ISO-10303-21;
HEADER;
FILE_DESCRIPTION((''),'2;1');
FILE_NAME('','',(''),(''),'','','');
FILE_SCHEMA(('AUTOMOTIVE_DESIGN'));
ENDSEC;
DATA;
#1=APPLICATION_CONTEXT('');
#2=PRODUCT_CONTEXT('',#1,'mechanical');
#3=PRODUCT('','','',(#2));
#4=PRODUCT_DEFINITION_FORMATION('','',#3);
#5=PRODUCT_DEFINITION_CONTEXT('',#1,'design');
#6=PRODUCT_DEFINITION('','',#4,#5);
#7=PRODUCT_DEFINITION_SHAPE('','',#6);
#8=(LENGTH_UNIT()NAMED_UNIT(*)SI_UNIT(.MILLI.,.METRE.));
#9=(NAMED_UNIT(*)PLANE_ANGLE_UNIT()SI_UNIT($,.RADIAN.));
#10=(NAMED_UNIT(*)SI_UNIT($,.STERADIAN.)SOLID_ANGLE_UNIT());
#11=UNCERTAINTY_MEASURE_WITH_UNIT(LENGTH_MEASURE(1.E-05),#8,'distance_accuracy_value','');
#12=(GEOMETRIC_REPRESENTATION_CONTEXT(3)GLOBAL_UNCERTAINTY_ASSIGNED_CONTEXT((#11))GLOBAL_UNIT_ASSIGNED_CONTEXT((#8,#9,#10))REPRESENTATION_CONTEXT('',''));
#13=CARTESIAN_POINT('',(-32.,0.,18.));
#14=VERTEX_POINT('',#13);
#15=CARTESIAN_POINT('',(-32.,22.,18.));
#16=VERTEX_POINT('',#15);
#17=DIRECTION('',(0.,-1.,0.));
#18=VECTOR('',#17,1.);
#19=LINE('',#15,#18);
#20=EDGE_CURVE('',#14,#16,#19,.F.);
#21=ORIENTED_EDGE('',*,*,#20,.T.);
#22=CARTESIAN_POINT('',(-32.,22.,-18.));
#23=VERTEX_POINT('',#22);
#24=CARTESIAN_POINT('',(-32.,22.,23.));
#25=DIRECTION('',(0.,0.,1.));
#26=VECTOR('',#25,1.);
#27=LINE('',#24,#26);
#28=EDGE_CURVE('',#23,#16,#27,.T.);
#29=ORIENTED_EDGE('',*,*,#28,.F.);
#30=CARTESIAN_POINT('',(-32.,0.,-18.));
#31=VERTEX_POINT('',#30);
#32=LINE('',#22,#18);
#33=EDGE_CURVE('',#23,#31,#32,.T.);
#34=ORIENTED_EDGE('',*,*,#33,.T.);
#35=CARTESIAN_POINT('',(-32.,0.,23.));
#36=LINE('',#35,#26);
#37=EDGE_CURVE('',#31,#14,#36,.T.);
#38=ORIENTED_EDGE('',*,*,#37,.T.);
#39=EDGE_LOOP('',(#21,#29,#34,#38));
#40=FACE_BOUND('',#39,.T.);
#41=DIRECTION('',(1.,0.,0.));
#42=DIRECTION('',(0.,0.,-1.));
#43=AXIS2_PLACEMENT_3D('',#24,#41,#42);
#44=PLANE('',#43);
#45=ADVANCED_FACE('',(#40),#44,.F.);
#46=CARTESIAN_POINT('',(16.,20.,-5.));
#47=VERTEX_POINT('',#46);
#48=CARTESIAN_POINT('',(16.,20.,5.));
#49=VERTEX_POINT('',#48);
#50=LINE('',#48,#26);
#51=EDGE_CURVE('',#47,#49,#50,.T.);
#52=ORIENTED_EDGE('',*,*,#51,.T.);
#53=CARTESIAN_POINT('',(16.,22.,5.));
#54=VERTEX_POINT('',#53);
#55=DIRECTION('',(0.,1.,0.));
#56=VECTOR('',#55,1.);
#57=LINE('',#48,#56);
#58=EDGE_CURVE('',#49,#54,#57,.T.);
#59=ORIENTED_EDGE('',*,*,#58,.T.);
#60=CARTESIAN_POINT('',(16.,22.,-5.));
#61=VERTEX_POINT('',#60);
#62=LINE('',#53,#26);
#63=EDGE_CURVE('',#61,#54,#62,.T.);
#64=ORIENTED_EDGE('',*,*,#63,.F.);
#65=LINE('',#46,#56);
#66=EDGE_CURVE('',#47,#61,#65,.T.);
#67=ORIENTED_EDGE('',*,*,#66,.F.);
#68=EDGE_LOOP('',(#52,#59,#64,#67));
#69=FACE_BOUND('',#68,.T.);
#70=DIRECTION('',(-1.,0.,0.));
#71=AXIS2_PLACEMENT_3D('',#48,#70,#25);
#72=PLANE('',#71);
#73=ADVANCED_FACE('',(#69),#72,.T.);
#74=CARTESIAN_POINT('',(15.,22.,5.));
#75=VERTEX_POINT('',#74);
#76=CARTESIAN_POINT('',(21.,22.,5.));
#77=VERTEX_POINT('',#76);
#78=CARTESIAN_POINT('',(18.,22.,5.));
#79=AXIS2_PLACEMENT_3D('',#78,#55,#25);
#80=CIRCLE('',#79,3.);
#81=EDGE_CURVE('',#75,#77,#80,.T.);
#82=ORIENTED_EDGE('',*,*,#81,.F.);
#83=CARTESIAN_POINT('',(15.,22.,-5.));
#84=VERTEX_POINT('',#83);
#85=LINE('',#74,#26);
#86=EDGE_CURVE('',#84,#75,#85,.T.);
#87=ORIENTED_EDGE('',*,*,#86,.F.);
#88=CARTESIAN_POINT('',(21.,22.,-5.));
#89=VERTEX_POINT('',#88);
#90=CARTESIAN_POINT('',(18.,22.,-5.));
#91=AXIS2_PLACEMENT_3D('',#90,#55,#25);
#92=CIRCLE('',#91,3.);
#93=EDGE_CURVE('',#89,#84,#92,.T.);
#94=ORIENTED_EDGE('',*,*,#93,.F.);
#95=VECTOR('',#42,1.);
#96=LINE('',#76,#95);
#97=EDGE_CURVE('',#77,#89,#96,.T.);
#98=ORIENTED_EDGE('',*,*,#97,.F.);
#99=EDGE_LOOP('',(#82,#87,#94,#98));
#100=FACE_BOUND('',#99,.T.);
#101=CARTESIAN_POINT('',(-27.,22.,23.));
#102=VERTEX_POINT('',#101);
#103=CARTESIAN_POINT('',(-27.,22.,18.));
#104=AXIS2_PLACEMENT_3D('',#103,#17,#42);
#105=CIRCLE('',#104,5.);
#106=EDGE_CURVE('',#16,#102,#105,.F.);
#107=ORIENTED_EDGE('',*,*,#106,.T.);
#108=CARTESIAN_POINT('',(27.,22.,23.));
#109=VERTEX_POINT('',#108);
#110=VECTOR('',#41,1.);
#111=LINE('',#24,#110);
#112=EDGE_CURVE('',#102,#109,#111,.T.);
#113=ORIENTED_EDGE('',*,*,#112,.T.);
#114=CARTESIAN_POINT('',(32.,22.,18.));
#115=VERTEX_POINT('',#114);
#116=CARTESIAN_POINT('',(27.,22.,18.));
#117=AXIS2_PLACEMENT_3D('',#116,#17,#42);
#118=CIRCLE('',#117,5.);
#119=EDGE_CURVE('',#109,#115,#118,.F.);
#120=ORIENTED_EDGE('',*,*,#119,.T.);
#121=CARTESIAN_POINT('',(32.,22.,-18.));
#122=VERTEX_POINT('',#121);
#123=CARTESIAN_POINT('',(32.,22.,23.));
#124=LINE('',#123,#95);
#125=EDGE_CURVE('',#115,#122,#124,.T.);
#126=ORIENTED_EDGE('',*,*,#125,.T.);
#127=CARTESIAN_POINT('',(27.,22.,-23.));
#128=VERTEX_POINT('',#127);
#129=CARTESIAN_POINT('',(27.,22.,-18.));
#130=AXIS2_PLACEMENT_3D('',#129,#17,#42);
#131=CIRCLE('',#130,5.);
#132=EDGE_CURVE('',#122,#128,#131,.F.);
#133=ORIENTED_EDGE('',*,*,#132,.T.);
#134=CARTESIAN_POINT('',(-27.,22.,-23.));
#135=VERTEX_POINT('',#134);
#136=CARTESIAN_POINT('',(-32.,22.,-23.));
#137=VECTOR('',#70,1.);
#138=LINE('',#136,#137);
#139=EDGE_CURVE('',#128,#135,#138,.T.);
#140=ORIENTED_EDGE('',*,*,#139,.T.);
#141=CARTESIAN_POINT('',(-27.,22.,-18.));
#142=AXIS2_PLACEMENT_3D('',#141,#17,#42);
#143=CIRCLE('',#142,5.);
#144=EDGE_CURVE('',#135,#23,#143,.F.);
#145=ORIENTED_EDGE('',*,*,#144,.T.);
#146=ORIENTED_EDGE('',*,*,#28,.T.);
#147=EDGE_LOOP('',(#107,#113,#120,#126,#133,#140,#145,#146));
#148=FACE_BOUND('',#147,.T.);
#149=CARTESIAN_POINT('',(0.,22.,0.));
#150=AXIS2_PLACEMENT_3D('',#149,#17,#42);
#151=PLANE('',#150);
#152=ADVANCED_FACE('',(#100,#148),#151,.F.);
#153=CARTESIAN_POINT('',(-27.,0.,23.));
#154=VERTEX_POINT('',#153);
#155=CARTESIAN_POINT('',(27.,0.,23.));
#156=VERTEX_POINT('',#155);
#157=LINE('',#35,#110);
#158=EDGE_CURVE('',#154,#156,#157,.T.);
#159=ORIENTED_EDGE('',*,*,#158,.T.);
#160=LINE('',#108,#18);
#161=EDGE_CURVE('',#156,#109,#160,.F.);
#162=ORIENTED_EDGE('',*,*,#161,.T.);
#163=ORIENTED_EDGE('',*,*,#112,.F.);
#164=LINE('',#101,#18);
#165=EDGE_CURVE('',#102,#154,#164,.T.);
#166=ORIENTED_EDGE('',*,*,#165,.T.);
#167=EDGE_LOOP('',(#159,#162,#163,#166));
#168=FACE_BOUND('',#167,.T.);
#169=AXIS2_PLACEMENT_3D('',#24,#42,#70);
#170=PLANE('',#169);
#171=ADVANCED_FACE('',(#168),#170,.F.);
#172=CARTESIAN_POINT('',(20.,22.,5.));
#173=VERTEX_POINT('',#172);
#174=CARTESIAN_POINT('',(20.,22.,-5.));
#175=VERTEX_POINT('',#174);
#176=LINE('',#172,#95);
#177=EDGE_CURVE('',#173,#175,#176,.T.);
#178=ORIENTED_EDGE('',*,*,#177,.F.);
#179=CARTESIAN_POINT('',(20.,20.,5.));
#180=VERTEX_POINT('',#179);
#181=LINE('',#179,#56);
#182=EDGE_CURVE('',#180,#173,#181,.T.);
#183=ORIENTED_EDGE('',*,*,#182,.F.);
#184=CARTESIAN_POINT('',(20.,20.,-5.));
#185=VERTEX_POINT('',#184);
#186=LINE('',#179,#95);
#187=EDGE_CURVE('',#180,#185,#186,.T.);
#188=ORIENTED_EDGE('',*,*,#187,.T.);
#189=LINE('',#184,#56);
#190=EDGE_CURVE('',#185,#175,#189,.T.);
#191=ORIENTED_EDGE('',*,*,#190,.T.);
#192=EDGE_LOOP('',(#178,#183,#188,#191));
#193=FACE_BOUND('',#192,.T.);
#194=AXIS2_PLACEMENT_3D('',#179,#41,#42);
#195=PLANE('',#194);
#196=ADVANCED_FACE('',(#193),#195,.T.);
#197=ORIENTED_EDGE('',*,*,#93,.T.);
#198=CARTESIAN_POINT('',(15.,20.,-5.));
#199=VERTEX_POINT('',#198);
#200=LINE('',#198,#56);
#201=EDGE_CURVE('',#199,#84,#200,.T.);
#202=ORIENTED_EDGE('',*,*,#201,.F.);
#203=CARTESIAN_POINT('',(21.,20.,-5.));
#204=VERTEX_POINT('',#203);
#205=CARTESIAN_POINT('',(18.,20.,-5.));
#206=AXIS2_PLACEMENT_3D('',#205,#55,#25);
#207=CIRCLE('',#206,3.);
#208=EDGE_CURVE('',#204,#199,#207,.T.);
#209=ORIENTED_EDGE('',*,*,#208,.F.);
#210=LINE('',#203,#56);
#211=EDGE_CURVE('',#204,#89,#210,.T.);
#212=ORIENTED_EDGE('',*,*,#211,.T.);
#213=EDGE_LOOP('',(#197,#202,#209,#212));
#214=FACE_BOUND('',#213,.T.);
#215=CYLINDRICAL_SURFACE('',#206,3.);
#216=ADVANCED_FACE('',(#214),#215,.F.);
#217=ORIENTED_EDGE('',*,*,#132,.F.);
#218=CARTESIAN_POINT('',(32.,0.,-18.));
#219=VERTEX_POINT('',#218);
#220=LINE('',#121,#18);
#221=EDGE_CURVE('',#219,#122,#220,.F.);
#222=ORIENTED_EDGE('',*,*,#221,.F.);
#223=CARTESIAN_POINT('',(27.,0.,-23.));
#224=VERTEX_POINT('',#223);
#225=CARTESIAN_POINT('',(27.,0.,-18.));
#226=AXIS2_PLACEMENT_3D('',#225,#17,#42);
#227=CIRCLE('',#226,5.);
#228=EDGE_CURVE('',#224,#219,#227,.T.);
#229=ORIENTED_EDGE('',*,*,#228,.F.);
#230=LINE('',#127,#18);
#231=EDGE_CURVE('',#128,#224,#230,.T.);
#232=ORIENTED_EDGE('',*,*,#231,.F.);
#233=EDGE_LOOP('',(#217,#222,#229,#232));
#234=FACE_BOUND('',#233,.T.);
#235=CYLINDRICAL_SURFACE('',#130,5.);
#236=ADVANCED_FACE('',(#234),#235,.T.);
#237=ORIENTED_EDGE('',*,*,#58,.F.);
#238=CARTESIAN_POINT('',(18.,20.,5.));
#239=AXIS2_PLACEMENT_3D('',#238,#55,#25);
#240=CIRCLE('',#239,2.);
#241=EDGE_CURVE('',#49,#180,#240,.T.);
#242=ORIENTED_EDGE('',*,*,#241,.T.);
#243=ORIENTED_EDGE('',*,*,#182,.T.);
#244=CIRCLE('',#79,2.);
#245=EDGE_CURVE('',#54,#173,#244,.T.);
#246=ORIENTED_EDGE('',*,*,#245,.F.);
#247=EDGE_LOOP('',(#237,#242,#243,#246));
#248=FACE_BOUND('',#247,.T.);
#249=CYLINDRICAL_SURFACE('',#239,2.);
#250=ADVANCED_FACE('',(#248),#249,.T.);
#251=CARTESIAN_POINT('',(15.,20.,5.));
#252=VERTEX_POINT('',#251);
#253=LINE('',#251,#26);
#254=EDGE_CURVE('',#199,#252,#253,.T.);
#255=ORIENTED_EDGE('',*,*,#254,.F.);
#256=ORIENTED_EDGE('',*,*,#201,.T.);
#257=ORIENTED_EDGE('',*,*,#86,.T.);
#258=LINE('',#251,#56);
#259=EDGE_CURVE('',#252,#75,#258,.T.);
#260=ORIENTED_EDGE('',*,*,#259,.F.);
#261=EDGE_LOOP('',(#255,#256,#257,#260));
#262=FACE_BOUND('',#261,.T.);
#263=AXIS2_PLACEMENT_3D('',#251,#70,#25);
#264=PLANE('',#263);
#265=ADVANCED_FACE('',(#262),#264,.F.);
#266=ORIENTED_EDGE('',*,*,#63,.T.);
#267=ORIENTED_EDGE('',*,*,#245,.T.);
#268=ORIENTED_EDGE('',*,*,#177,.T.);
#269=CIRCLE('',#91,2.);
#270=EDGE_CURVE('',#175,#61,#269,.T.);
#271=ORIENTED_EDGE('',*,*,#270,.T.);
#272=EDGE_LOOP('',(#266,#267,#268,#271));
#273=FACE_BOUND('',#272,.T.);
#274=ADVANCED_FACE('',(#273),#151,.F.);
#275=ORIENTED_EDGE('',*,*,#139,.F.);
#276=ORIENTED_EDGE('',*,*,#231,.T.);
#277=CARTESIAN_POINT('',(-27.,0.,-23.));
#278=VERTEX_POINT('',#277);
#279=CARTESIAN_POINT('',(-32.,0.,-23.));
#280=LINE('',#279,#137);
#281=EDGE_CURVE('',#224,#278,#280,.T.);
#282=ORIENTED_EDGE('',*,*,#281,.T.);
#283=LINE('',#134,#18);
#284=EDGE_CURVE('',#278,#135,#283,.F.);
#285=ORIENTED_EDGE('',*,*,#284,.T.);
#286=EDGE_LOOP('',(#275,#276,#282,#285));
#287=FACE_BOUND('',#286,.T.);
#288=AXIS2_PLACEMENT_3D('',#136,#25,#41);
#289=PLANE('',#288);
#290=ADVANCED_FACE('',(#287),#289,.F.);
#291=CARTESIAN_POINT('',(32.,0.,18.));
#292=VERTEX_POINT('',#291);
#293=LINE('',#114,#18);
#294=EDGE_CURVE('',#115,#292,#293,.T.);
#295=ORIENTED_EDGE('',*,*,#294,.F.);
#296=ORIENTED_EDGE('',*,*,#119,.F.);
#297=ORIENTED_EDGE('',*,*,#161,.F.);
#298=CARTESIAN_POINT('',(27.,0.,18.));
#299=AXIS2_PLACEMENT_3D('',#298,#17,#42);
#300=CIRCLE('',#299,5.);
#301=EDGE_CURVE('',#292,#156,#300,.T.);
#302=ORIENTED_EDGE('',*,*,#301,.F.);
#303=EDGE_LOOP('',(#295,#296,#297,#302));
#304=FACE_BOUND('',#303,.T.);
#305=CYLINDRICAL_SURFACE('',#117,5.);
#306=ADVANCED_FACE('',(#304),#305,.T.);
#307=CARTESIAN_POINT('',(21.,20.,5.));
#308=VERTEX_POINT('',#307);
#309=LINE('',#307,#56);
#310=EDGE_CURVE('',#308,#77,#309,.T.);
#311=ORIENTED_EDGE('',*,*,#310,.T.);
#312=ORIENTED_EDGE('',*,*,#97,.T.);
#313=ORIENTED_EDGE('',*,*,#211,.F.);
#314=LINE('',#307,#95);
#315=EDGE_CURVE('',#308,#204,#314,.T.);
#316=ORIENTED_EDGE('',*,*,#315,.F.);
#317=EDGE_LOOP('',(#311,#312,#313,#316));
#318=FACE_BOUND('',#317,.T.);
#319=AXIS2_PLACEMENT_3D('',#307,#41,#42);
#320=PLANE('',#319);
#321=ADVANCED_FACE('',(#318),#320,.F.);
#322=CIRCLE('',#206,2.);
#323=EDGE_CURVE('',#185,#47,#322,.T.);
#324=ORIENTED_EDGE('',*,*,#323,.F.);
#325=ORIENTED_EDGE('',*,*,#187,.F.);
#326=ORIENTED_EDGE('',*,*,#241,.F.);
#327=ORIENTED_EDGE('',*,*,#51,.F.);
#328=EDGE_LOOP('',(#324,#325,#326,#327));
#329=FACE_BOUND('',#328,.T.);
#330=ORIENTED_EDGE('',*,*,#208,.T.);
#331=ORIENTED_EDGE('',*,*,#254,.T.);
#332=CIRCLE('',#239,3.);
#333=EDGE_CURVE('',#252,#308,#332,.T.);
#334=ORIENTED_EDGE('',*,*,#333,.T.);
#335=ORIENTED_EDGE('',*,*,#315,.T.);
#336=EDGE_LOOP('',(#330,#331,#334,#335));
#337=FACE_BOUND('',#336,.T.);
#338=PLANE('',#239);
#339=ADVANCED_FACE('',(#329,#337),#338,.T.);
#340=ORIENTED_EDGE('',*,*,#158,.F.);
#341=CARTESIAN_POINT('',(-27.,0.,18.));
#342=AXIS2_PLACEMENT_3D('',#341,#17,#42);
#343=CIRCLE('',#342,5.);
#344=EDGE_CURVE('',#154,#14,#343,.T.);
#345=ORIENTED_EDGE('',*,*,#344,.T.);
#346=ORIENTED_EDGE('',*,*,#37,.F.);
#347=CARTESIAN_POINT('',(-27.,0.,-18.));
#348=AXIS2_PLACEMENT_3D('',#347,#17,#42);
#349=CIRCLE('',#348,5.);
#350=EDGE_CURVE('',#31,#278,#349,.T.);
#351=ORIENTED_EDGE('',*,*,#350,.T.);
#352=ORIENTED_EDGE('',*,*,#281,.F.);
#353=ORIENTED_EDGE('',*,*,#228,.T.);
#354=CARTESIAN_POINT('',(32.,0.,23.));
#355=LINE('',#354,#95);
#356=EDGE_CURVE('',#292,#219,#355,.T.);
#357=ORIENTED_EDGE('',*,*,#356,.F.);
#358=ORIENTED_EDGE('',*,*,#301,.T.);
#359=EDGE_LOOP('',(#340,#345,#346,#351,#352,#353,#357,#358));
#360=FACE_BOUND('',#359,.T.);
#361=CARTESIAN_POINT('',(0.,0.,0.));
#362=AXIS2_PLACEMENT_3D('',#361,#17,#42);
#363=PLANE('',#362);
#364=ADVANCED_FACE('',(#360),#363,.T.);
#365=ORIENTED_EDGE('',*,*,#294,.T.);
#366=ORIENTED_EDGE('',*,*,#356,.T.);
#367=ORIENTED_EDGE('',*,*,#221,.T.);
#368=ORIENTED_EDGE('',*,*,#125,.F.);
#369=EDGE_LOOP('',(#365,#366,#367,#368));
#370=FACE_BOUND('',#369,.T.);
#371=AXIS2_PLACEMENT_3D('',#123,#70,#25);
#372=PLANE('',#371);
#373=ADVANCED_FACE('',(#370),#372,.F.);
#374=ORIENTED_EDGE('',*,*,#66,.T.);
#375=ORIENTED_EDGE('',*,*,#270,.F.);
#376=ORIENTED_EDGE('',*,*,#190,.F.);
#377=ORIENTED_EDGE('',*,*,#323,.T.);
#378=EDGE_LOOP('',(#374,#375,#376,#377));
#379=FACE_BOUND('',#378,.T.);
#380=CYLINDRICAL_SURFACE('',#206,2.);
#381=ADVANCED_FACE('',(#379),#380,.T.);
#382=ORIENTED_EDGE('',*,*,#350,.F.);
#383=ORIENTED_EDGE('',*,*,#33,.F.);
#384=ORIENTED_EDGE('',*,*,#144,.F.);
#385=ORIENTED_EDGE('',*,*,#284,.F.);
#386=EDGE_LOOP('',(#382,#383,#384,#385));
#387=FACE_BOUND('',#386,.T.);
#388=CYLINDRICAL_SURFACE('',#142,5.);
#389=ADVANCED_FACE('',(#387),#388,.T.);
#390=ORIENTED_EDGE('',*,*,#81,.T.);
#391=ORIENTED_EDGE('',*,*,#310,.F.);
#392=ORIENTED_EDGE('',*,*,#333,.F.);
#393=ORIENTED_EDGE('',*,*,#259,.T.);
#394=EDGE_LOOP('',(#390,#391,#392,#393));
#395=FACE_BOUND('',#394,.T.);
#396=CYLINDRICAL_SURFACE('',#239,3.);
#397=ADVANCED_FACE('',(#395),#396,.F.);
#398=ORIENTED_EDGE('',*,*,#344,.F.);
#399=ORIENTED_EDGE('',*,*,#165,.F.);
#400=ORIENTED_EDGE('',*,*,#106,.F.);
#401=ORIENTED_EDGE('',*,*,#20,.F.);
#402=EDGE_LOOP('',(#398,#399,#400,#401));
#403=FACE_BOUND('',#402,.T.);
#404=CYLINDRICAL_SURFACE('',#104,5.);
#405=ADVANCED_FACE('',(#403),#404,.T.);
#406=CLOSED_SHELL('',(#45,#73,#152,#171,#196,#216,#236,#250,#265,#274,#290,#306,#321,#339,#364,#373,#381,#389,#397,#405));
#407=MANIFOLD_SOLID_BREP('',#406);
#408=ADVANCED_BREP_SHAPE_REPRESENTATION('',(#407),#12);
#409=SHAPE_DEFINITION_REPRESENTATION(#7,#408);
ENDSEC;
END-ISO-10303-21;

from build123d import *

# Parameters (mm, degrees)
SKETCH_1_W          = 64
SKETCH_1_H          = 46
EXTRUDE_1_DEPTH     = 22
FILLET_1_R          = 5
CUT_EXTRUDE_1_DEPTH = 2


with BuildPart() as part:
    # 草图1 → 凸台-拉伸1 (new body)
    with BuildSketch(Plane(origin=(0, 0, 0), x_dir=(1, 0, 0), z_dir=(0, 1, 0))):
        Rectangle(SKETCH_1_W, SKETCH_1_H)
    extrude(amount=EXTRUDE_1_DEPTH)

    # 圆角1
    fillet_1_edges = [part.edges().sort_by_distance(p)[0] for p in [
        (32, 11, 23),
        (-32, 11, 23),
        (-32, 11, -23),
        (32, 11, -23),
    ]]
    fillet(fillet_1_edges, radius=FILLET_1_R)

    # 草图2 → 切除-拉伸1 (cut)
    with BuildSketch(Plane(origin=(0, 22, 0), x_dir=(1, 0, 0), z_dir=(0, 1, 0))):
        with BuildLine():
            Line((15, -5), (15, 5))
            ThreePointArc((15, 5), (18, 8), (21, 5))
            Line((21, 5), (21, -5))
            ThreePointArc((21, -5), (18, -8), (15, -5))
        make_face()
        with BuildLine():
            Line((16, -5), (16, 5))
            ThreePointArc((16, 5), (18, 7), (20, 5))
            Line((20, 5), (20, -5))
            ThreePointArc((20, -5), (18, -7), (16, -5))
        make_face(mode=Mode.SUBTRACT)
    extrude(amount=-CUT_EXTRUDE_1_DEPTH, mode=Mode.SUBTRACT)


solid = part.part
